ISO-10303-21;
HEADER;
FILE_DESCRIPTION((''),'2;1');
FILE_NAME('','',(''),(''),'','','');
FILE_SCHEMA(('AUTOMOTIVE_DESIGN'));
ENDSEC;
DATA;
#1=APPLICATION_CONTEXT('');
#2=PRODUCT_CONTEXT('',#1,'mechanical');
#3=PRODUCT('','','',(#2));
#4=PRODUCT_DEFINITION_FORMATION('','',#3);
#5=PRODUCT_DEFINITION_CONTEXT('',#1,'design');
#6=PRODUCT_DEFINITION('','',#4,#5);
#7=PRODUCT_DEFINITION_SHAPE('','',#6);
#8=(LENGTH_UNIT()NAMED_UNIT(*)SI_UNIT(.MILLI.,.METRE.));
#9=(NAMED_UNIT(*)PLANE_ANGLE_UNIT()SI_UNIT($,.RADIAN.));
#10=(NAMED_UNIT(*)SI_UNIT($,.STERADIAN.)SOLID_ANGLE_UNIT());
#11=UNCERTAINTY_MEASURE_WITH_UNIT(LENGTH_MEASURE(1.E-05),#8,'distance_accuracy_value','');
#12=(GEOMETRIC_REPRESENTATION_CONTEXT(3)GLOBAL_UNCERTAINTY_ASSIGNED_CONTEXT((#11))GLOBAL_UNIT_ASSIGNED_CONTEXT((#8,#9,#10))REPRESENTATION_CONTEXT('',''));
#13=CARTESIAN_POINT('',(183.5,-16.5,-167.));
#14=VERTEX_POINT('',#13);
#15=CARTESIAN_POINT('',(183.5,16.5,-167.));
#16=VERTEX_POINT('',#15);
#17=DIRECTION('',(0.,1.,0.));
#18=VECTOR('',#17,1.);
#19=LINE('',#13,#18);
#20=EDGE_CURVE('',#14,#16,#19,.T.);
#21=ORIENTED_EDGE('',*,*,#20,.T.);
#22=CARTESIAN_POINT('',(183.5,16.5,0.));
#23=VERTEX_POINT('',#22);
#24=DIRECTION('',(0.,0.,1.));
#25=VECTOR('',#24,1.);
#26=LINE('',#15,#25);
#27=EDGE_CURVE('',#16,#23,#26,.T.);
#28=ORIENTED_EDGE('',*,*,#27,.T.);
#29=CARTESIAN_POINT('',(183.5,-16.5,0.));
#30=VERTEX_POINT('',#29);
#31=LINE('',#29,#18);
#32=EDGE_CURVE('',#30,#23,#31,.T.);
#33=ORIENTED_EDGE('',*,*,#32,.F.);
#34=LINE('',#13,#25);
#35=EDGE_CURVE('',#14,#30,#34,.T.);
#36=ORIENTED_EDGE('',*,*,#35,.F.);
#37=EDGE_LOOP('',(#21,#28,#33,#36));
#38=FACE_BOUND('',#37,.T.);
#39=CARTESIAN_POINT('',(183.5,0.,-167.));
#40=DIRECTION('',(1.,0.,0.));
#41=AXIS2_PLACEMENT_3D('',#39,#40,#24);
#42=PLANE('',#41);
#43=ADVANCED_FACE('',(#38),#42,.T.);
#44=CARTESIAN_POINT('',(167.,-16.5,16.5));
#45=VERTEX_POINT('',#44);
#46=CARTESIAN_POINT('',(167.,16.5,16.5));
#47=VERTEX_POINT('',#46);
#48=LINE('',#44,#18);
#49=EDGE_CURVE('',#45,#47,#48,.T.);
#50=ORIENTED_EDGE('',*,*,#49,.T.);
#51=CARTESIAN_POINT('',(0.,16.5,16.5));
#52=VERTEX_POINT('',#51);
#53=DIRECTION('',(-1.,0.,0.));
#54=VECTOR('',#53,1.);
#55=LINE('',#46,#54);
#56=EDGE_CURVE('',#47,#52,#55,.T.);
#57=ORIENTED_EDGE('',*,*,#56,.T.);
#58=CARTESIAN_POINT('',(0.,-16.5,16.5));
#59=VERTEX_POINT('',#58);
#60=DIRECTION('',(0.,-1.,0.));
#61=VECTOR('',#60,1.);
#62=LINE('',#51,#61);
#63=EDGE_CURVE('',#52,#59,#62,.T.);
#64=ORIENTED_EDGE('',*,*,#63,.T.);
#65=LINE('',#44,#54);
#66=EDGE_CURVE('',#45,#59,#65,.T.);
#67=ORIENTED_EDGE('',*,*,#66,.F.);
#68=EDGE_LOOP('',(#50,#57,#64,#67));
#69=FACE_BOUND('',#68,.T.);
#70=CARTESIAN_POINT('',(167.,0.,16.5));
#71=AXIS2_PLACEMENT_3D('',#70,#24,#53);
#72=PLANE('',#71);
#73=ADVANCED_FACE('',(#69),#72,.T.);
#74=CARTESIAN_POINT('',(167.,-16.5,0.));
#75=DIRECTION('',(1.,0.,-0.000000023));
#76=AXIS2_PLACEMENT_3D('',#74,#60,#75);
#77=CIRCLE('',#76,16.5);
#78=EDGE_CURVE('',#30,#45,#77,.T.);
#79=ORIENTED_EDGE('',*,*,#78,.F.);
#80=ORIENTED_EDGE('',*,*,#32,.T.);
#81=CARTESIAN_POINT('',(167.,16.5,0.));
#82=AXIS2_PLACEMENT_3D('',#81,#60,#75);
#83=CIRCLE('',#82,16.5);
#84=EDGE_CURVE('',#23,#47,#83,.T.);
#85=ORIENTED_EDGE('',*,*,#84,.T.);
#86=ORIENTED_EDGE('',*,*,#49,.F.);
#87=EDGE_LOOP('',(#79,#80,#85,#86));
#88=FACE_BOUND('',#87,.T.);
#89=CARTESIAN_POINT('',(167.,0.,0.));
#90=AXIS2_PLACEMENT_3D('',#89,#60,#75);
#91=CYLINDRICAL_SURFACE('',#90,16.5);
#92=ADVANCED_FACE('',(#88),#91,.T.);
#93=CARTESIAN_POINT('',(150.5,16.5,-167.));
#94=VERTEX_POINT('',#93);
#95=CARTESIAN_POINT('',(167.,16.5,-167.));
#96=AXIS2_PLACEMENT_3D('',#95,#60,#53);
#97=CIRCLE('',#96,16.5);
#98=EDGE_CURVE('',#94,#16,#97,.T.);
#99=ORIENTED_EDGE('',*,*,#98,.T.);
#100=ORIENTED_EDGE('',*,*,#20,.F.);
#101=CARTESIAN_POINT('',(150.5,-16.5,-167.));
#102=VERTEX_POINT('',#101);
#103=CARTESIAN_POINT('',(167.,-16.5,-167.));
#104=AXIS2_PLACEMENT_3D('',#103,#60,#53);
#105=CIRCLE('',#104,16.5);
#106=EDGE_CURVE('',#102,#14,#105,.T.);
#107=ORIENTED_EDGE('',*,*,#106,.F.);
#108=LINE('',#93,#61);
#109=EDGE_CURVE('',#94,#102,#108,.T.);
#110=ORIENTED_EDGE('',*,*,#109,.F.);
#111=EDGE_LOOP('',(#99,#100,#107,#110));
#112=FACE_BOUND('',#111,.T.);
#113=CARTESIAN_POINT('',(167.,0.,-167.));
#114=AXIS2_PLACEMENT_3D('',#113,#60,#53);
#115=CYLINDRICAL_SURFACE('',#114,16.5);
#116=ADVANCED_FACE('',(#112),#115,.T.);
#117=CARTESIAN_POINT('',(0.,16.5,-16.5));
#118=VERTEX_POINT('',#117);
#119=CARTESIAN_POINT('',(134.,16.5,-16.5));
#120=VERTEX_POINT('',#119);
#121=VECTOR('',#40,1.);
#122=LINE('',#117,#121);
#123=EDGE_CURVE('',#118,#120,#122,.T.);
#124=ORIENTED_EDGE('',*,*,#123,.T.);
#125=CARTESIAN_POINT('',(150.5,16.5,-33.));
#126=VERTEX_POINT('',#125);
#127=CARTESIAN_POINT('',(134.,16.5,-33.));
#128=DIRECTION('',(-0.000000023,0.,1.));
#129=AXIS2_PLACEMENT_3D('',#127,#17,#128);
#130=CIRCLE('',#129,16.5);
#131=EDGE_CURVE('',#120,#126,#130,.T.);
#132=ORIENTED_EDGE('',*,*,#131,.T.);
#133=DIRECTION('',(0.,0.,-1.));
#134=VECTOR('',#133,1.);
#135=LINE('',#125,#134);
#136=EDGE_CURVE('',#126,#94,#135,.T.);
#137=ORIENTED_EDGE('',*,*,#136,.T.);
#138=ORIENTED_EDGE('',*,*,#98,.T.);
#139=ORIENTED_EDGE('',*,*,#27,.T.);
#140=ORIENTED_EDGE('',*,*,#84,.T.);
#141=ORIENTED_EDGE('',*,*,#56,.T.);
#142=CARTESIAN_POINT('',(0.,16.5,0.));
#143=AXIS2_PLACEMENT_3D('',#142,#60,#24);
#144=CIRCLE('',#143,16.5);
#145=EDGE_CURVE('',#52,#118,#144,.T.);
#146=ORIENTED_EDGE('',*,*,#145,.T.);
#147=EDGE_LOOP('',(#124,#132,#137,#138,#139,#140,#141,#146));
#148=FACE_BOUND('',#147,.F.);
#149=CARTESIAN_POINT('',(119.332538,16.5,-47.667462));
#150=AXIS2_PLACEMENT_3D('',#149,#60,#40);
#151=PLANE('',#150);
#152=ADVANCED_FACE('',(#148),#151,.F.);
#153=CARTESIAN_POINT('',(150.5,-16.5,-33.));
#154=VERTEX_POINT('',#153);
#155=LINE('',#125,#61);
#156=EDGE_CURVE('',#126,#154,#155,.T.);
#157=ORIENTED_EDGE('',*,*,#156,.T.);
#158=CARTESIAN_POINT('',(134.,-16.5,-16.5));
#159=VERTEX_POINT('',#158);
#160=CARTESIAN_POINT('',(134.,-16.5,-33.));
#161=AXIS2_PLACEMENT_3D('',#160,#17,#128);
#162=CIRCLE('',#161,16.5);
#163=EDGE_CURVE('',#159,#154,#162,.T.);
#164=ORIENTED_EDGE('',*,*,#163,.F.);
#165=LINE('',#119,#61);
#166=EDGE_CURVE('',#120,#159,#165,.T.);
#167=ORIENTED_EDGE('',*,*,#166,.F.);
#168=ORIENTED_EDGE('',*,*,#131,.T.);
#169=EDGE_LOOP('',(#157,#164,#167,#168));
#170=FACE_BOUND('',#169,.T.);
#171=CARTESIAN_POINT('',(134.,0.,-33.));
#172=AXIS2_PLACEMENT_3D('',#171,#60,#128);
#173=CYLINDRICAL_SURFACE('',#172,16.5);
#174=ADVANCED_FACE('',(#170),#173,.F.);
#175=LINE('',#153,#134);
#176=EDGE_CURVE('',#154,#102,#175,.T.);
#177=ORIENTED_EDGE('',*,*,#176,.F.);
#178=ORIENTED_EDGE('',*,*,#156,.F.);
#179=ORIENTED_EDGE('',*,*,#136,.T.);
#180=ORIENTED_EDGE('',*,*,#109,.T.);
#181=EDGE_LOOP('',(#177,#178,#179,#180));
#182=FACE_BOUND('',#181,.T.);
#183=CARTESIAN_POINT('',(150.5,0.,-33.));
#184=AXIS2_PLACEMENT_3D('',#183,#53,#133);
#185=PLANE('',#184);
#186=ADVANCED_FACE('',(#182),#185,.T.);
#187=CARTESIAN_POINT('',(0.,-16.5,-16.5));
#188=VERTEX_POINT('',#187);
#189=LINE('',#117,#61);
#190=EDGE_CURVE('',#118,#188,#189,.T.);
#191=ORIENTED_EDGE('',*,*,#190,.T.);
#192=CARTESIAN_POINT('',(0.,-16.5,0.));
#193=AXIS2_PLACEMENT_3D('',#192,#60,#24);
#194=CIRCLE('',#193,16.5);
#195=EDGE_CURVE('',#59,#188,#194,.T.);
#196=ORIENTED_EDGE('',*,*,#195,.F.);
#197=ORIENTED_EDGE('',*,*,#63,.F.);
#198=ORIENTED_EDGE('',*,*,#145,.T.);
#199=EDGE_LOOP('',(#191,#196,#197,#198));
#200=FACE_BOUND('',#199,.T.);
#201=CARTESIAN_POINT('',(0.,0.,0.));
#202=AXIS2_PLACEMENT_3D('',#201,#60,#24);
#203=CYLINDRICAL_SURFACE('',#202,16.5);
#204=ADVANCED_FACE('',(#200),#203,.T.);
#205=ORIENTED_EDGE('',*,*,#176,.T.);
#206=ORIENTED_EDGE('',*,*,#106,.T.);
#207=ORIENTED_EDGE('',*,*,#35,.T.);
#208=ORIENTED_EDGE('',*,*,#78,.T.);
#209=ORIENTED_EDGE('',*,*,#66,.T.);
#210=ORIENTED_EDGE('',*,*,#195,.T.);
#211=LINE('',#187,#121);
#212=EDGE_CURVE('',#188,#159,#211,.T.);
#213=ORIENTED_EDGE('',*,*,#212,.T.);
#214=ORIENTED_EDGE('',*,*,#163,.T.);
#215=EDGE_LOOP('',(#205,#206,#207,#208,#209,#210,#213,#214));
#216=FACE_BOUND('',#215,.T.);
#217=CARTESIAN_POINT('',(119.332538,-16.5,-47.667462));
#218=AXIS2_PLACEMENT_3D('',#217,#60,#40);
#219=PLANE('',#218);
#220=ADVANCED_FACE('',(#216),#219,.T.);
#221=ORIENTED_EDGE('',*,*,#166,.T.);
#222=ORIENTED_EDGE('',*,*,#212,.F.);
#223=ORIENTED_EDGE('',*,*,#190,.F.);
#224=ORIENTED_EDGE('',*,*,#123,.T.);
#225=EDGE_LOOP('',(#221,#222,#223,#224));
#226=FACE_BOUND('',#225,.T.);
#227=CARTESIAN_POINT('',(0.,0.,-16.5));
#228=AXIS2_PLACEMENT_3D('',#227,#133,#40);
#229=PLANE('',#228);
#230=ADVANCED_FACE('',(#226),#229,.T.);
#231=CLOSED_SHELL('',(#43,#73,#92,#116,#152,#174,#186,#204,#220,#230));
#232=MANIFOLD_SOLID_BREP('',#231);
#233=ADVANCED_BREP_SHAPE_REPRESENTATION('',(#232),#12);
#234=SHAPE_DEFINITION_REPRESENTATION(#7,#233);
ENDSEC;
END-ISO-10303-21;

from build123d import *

# Parameters (mm, degrees)
F1_DEPTH = 16.5


with BuildPart() as f1:
    # F0 (on Front) → F1 (new body, symmetric)
    with BuildSketch(Plane.XZ):
        with BuildLine():
            Line((167, 16.5), (0, 16.5))
            ThreePointArc((0, 16.5), (-16.5, 0), (0, -16.5))
            Line((0, -16.5), (134, -16.5))
            ThreePointArc((134, -16.5), (145.667262, -21.332738), (150.5, -33))
            Line((150.5, -33), (150.5, -167))
            ThreePointArc((150.5, -167), (167, -183.5), (183.5, -167))
            Line((183.5, -167), (183.5, 0))
            ThreePointArc((183.5, 0), (178.667262, 11.667262), (167, 16.5))
        make_face()
    extrude(amount=F1_DEPTH, both=True)


solid = f1.part
